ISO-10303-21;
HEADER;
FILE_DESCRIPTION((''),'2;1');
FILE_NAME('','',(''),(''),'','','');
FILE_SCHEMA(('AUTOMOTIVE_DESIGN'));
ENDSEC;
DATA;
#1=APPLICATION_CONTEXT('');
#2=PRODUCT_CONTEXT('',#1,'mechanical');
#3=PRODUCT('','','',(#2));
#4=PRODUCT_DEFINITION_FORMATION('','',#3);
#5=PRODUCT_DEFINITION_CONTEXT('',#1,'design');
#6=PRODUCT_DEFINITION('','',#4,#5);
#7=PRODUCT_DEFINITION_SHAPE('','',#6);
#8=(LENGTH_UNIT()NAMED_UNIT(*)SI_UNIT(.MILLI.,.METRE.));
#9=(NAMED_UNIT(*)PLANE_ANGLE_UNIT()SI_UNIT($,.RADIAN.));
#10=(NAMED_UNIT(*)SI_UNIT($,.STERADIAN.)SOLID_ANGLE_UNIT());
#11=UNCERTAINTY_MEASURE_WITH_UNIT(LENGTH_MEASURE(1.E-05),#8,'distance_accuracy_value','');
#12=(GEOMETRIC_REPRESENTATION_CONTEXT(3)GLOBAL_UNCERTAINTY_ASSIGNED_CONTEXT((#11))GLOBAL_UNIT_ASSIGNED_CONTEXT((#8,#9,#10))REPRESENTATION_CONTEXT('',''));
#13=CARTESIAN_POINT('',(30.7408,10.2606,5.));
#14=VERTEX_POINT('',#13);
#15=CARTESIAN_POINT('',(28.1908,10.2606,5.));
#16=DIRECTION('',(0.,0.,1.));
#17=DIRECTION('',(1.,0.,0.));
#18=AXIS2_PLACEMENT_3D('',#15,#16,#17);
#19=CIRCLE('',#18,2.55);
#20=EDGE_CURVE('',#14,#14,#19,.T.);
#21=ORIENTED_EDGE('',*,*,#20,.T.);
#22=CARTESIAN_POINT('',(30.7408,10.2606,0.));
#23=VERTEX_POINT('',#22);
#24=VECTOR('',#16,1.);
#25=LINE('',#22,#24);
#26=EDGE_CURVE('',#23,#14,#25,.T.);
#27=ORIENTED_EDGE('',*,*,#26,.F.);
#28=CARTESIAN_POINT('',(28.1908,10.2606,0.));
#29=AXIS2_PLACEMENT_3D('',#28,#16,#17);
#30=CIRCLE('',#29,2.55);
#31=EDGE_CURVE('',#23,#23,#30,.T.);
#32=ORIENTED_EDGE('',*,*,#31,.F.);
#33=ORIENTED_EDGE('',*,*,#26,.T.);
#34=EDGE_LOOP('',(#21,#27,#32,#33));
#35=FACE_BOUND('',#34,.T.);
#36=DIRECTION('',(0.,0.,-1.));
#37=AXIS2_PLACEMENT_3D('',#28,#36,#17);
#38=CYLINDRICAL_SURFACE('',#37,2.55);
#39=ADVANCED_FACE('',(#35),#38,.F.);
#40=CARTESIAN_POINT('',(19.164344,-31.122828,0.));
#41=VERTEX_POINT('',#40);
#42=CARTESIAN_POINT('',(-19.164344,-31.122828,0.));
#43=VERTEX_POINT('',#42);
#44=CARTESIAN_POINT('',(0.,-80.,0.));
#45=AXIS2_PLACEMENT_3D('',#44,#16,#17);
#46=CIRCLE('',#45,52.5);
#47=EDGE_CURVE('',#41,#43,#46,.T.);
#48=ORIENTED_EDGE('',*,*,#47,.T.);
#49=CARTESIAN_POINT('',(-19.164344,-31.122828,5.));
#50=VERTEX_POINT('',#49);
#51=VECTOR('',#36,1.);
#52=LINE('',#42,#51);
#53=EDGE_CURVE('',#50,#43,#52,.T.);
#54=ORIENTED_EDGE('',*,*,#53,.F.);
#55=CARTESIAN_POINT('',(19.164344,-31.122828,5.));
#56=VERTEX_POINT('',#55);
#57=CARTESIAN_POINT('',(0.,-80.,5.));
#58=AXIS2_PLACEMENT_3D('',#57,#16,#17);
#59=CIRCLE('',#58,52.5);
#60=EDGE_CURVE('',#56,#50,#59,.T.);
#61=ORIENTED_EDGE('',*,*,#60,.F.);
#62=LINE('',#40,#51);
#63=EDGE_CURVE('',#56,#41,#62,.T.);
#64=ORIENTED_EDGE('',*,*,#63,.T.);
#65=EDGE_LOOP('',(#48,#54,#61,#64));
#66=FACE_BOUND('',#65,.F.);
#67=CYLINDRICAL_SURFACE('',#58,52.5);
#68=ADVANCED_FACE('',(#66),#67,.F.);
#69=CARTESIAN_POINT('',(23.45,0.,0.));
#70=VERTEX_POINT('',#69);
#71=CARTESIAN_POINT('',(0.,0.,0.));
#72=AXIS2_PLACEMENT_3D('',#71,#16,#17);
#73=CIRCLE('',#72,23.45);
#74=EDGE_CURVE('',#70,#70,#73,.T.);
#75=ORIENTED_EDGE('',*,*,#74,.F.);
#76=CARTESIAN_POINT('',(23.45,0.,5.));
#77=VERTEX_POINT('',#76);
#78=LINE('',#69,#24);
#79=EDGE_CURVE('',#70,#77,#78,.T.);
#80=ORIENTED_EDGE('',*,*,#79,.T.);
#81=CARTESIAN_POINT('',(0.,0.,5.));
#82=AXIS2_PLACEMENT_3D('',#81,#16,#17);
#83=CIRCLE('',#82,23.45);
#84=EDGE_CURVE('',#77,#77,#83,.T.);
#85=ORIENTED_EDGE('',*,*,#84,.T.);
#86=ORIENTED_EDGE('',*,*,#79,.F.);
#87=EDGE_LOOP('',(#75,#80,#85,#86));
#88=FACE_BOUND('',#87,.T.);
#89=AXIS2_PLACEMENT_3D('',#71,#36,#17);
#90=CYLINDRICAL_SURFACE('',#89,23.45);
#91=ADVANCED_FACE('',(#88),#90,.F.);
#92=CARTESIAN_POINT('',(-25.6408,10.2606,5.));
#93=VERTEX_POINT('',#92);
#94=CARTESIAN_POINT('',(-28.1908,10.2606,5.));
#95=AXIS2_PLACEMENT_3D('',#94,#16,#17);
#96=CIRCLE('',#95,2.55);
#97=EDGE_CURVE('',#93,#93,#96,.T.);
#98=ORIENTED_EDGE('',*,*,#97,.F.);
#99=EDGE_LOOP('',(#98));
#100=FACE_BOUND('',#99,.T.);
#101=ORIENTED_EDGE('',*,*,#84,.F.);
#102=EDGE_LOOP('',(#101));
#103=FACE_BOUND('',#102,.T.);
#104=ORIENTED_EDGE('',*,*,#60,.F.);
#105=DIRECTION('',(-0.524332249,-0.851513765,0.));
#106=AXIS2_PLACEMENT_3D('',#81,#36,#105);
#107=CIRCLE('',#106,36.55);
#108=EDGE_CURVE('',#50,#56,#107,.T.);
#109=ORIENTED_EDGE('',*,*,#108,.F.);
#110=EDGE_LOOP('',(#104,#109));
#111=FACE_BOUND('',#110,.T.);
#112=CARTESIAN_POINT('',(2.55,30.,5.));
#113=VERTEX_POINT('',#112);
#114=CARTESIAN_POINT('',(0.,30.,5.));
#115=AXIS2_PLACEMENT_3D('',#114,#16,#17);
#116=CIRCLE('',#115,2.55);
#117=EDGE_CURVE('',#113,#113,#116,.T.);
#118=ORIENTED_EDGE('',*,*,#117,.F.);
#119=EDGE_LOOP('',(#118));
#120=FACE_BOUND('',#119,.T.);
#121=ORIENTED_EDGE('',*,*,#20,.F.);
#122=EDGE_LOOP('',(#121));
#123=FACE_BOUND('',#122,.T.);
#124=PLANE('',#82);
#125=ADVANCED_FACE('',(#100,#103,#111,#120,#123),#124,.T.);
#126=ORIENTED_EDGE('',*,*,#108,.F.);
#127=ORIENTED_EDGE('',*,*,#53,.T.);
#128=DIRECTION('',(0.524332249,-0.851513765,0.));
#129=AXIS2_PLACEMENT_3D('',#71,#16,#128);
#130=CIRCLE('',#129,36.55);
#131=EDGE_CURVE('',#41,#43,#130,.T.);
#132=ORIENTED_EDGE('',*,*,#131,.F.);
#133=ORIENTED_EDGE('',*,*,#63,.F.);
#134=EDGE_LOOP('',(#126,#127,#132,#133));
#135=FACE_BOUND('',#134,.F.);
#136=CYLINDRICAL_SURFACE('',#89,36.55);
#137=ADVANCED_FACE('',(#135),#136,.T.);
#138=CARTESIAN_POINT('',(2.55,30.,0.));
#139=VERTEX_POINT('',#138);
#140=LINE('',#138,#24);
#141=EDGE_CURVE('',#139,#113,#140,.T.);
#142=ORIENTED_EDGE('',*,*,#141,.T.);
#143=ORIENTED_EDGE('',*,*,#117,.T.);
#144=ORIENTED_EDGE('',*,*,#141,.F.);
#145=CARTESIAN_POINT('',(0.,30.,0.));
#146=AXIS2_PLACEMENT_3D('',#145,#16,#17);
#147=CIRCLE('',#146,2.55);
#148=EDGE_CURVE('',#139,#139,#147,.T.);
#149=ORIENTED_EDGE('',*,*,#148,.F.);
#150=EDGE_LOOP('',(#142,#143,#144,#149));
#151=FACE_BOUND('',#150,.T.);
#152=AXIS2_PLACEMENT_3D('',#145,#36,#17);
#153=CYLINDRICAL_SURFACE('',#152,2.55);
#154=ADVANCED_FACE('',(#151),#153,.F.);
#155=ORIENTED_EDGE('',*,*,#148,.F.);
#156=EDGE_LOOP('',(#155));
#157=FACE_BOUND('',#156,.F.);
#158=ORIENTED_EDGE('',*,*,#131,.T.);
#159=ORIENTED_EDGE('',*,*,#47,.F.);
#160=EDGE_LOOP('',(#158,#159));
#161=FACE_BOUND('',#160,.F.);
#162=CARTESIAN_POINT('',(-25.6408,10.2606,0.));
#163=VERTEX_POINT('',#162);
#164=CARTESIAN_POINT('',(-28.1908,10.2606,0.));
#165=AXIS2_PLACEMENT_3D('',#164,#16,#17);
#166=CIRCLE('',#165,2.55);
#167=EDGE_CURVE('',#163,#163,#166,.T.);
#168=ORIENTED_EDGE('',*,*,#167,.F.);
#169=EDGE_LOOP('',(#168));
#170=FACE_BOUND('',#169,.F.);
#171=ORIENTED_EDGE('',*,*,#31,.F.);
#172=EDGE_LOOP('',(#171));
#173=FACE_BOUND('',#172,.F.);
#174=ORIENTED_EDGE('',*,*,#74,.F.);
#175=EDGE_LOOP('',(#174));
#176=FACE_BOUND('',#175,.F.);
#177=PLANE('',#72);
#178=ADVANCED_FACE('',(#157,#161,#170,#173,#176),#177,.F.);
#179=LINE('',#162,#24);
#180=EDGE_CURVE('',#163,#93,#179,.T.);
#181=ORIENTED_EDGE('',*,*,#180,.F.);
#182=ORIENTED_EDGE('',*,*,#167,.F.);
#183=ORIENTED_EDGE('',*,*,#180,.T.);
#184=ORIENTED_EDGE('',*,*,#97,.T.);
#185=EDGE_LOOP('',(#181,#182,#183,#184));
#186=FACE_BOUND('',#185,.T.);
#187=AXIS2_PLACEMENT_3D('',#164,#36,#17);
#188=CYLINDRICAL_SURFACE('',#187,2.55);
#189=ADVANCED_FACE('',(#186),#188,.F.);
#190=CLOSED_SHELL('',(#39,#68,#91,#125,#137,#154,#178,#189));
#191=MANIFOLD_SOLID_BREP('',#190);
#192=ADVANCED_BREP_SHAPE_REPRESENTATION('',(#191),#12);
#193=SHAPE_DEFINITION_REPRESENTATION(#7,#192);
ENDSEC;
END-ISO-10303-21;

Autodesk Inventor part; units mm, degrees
ref_plane "YZ Plane" through (0, 0, 0) normal (1, 0, 0) x (0, 1, 0)
ref_plane "XZ Plane" through (0, 0, 0) normal (0, 1, 0) x (-1, 0, 0)
ref_plane "XY Plane" through (0, 0, 0) normal (0, 0, 1) x (1, 0, 0)
sketch "スケッチ1" plane through (0, 0, 0) normal (0, 0, 1) x (1, 0, 0)
  circle A0 centre (0, 0) radius 23.45
  circle A1 centre (0, 0) radius 36.55
  line L0 (0, 0) -> (-28.1908, 10.2606) construction
  line L1 (0, 0) -> (28.1908, 10.2606) construction
  line L2 (-39.5959, 0) -> (43.1917, 0) construction
  line L3 (0, 0) -> (0, 30) construction
  circle A2 centre (-28.1908, 10.2606) radius 2.55
  circle A3 centre (0, 30) radius 2.55
  circle A4 centre (28.1908, 10.2606) radius 2.55
  dimension "d0" = 73.1
  dimension "d1" = 46.9
  dimension "d2" = 30
  dimension "d3" = 30
  dimension "d6" = 20
  dimension "d7" = 20
  dimension "d8" = 30
  dimension "d9" = 5.1
  dimension "d10" = 5.1
  dimension "d11" = 5.1
extrude "押し出し1" add sketch "スケッチ1" along normal blind 5
sketch "スケッチ2" plane through (0, 0, 5) normal (0, 0, 1) x (1, 0, 0)
  line L0 (0, 0) -> (0, -80) construction
  circle A0 centre (0, -80) radius 52.5
  dimension "d14" = 80
  dimension "d18" = 105
extrude "押し出し2" cut sketch "スケッチ2" against normal blind 10
sketch "スケッチ3" plane through (0, 0, 5) normal (0, 0, 1) x (1, 0, 0)
  circle A0 centre (28.1908, 10.2606) radius 2.55 projected
  line L0 (0, 0) -> (28.1908, 10.2606)
  circle A1 centre (-28.1908, 10.2606) radius 2.55 projected
  line L1 (-28.1908, 10.2606) -> (0, 0)
  circle A2 centre (0, 30) radius 2.55 projected
  line L2 (0, 0) -> (0, 30)
properties part number "円 46.9mm" material "アルミニウム 6061"
